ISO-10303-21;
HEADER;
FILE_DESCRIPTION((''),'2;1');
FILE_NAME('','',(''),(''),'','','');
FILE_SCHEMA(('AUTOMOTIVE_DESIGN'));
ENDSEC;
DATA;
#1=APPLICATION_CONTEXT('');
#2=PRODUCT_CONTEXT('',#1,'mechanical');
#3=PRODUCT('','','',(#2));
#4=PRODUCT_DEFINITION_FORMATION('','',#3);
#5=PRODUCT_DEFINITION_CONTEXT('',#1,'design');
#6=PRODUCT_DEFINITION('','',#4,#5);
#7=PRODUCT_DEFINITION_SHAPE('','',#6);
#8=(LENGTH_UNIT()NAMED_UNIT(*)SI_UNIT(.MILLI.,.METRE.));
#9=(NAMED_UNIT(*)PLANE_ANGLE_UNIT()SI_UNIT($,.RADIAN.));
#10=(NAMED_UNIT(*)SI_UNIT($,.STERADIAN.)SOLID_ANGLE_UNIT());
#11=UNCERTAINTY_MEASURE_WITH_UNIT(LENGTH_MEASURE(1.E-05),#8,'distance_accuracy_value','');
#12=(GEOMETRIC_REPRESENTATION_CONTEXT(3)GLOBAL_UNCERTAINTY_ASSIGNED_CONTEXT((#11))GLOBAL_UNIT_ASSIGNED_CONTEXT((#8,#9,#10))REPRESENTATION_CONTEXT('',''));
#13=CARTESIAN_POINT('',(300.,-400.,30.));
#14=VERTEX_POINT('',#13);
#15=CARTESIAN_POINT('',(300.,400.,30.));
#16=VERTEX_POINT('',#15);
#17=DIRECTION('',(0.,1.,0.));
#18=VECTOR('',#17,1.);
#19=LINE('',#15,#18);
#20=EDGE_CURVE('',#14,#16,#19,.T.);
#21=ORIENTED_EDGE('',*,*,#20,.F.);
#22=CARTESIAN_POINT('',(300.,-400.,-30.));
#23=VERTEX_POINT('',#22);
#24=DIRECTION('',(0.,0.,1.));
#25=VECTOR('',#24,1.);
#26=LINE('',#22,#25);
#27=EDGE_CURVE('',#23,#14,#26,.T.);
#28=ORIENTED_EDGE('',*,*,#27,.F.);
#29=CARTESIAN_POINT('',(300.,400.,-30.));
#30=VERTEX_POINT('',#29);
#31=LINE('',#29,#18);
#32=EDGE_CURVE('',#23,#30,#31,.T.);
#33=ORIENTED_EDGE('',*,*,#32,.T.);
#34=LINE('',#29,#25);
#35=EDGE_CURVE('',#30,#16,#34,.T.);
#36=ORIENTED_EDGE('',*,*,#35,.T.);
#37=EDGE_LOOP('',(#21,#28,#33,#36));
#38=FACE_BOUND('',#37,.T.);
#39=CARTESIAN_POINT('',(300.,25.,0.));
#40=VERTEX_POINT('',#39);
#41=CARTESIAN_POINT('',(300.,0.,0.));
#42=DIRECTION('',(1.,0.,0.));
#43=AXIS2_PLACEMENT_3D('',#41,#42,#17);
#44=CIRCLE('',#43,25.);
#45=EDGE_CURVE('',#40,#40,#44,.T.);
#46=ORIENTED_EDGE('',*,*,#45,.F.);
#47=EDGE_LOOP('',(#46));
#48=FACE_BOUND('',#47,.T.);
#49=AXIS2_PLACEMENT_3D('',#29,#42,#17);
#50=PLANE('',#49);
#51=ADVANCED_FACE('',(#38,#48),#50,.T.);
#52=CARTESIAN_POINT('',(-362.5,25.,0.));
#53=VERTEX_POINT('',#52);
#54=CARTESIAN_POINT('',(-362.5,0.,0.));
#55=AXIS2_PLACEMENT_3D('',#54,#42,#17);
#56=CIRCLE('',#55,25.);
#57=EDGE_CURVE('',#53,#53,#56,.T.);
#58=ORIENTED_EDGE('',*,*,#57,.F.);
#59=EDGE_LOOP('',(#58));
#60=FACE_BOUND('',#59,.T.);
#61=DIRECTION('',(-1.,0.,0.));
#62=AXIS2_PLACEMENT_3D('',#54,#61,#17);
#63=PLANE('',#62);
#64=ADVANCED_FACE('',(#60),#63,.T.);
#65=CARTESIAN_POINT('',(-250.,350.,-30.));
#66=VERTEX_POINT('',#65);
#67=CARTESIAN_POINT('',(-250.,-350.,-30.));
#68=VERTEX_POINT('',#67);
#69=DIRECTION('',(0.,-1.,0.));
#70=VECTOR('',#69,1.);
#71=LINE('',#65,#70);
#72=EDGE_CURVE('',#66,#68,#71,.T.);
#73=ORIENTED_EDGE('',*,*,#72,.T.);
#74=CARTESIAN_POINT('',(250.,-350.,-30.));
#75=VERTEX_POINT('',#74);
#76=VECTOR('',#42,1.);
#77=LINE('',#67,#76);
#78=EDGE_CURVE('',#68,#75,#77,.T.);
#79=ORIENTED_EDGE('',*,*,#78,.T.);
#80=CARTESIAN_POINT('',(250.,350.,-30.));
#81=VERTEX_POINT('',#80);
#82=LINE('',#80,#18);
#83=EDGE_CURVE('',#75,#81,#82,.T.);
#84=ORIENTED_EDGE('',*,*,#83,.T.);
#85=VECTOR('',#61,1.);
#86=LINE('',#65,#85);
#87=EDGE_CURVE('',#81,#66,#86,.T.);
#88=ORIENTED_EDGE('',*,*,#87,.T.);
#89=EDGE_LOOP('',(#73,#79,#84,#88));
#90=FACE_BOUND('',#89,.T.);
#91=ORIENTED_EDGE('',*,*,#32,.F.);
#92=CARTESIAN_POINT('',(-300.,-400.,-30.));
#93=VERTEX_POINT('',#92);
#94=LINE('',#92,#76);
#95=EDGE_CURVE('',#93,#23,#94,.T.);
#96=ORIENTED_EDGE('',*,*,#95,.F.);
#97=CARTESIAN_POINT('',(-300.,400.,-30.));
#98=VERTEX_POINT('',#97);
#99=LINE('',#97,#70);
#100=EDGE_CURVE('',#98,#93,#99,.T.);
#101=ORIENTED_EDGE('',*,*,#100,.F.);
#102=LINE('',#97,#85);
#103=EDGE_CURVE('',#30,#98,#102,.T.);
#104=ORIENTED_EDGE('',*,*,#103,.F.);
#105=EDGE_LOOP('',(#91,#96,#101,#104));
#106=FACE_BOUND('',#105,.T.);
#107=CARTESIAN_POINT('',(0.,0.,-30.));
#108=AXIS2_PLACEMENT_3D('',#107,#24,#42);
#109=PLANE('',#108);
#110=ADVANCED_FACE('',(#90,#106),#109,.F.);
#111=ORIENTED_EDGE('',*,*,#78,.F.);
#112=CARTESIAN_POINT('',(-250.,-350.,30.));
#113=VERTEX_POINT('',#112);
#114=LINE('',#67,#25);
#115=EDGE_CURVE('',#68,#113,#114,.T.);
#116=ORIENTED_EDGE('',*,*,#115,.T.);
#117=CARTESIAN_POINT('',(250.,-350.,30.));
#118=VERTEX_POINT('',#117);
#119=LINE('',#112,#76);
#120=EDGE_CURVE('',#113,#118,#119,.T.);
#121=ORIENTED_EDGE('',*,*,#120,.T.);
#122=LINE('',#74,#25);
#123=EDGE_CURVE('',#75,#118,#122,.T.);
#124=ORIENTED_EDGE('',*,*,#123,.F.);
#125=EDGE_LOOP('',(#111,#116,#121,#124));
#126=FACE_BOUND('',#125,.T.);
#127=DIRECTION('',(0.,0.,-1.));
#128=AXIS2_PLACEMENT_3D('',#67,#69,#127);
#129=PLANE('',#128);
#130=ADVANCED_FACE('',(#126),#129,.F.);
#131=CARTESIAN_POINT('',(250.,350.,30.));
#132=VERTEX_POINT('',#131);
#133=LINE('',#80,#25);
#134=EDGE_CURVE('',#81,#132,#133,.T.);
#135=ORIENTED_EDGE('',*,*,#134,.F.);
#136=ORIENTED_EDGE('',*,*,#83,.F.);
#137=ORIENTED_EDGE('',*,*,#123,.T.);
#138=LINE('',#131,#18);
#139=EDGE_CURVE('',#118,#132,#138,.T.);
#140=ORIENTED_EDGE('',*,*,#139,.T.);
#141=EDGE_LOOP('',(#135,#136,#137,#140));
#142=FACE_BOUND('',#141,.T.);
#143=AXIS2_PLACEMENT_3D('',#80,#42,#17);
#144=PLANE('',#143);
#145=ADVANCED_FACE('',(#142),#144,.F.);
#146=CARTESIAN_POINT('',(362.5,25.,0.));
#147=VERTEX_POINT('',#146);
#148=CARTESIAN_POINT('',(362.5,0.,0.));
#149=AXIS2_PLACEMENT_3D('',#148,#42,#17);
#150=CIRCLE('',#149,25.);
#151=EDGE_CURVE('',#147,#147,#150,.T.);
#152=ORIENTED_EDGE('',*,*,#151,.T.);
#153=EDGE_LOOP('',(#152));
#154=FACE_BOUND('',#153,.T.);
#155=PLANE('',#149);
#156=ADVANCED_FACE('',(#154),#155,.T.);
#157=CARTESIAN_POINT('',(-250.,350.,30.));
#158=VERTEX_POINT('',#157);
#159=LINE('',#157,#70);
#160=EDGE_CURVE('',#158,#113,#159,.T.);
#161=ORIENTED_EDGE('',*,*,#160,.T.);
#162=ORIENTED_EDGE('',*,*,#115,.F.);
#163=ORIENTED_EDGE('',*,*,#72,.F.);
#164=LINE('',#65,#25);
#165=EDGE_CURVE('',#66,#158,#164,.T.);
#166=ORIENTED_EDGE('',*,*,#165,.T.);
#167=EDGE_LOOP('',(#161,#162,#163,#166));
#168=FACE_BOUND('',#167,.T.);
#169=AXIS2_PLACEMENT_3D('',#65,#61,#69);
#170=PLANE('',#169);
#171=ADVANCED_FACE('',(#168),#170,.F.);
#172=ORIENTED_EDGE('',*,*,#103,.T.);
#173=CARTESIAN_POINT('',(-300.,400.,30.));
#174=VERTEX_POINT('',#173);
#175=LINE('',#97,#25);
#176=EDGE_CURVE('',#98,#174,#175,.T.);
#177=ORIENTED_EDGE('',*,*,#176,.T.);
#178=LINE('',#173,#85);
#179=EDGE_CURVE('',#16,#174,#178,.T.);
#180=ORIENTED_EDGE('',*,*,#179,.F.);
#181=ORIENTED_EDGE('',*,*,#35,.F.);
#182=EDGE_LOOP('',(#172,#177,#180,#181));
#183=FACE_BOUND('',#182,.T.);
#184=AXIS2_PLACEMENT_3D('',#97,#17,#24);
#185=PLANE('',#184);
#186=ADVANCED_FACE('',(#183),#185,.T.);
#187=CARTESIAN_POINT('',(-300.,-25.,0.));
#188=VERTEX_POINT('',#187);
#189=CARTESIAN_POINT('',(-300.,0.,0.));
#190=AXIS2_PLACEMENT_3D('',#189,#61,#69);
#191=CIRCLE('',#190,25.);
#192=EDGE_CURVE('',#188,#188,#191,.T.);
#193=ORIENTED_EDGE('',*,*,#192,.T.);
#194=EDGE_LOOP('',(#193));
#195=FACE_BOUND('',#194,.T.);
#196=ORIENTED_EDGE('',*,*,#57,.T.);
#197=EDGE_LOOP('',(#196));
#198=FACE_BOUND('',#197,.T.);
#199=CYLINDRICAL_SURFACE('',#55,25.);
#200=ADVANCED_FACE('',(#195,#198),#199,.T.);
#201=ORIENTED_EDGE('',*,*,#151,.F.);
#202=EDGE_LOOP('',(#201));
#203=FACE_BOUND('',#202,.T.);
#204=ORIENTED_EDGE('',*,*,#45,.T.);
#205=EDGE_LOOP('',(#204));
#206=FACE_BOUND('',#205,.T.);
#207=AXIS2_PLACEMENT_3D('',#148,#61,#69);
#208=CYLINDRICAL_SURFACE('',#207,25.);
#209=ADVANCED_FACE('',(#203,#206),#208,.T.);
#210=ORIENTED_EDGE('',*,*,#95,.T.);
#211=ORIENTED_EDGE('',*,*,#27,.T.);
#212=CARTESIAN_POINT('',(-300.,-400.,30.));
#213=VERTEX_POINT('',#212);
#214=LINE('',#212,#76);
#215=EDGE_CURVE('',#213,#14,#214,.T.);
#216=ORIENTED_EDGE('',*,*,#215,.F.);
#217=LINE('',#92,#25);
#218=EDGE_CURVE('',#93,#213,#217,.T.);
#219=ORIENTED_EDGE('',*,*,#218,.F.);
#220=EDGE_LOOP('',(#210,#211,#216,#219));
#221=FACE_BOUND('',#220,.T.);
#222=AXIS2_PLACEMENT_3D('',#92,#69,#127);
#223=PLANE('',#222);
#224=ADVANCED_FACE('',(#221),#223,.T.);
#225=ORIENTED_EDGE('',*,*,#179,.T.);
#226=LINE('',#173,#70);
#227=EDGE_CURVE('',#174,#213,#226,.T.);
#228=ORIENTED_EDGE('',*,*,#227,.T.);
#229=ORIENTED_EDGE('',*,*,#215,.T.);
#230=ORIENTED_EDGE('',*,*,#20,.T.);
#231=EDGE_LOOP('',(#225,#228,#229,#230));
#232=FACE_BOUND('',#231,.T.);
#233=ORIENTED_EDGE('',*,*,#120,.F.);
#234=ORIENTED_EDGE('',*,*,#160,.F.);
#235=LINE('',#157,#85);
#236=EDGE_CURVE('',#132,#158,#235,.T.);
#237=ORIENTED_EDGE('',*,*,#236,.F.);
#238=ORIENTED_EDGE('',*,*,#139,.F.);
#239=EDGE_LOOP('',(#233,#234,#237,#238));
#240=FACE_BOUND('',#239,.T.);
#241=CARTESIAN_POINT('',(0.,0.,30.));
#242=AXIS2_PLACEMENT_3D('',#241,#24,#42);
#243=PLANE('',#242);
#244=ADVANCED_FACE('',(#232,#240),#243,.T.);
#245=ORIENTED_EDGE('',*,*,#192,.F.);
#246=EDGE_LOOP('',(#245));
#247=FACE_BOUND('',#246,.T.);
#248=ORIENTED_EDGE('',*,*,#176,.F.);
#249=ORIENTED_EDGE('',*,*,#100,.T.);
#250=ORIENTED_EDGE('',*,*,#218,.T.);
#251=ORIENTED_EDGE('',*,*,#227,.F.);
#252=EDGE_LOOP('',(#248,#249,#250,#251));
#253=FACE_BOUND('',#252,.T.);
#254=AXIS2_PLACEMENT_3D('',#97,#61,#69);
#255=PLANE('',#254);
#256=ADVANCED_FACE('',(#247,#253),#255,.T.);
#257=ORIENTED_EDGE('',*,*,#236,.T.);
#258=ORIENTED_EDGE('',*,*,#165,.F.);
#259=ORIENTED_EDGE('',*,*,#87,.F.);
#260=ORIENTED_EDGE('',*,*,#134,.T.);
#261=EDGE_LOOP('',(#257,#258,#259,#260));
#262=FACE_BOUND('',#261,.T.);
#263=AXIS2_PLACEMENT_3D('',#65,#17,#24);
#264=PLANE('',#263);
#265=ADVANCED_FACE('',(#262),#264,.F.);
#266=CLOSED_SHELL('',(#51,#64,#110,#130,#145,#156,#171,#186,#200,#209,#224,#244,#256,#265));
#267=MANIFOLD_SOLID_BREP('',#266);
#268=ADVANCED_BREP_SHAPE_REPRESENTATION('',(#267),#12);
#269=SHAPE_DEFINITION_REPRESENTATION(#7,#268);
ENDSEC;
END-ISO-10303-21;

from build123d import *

# Parameters (mm, degrees)
BOSS_EXTRUDE1_DEPTH      = 30
BOSS_EXTRUDE1_DEPTH_BACK = 30
SKETCH2_W                = 600
SKETCH2_H                = 800
SKETCH2_W_2              = 500
SKETCH2_H_2              = 700
SKETCH3_R                = 25
BOSS_EXTRUDE2_DEPTH      = 62.5


with BuildPart() as part:
    # Sketch2 → Boss-Extrude1 (new, two sides: drawn at the far end of the back side and taken through both)
    with BuildSketch(Plane.XY.offset(-BOSS_EXTRUDE1_DEPTH_BACK)):
        Rectangle(SKETCH2_W, SKETCH2_H)
        Rectangle(SKETCH2_W_2, SKETCH2_H_2, mode=Mode.SUBTRACT)
    extrude(amount=BOSS_EXTRUDE1_DEPTH + BOSS_EXTRUDE1_DEPTH_BACK)

    # Sketch3 → Boss-Extrude2 (add)
    with BuildSketch(Plane(origin=(300, 0, 0), x_dir=(0, 0, -1), z_dir=(1, 0, 0))):
        Circle(SKETCH3_R)
    boss_extrude2 = extrude(amount=BOSS_EXTRUDE2_DEPTH)

    # Mirror1: Boss-Extrude2 across plane
    add(boss_extrude2.mirror(Plane(origin=(0, 0, 0), x_dir=(0, 0, 1), z_dir=(1, 0, 0))))


solid = part.part
